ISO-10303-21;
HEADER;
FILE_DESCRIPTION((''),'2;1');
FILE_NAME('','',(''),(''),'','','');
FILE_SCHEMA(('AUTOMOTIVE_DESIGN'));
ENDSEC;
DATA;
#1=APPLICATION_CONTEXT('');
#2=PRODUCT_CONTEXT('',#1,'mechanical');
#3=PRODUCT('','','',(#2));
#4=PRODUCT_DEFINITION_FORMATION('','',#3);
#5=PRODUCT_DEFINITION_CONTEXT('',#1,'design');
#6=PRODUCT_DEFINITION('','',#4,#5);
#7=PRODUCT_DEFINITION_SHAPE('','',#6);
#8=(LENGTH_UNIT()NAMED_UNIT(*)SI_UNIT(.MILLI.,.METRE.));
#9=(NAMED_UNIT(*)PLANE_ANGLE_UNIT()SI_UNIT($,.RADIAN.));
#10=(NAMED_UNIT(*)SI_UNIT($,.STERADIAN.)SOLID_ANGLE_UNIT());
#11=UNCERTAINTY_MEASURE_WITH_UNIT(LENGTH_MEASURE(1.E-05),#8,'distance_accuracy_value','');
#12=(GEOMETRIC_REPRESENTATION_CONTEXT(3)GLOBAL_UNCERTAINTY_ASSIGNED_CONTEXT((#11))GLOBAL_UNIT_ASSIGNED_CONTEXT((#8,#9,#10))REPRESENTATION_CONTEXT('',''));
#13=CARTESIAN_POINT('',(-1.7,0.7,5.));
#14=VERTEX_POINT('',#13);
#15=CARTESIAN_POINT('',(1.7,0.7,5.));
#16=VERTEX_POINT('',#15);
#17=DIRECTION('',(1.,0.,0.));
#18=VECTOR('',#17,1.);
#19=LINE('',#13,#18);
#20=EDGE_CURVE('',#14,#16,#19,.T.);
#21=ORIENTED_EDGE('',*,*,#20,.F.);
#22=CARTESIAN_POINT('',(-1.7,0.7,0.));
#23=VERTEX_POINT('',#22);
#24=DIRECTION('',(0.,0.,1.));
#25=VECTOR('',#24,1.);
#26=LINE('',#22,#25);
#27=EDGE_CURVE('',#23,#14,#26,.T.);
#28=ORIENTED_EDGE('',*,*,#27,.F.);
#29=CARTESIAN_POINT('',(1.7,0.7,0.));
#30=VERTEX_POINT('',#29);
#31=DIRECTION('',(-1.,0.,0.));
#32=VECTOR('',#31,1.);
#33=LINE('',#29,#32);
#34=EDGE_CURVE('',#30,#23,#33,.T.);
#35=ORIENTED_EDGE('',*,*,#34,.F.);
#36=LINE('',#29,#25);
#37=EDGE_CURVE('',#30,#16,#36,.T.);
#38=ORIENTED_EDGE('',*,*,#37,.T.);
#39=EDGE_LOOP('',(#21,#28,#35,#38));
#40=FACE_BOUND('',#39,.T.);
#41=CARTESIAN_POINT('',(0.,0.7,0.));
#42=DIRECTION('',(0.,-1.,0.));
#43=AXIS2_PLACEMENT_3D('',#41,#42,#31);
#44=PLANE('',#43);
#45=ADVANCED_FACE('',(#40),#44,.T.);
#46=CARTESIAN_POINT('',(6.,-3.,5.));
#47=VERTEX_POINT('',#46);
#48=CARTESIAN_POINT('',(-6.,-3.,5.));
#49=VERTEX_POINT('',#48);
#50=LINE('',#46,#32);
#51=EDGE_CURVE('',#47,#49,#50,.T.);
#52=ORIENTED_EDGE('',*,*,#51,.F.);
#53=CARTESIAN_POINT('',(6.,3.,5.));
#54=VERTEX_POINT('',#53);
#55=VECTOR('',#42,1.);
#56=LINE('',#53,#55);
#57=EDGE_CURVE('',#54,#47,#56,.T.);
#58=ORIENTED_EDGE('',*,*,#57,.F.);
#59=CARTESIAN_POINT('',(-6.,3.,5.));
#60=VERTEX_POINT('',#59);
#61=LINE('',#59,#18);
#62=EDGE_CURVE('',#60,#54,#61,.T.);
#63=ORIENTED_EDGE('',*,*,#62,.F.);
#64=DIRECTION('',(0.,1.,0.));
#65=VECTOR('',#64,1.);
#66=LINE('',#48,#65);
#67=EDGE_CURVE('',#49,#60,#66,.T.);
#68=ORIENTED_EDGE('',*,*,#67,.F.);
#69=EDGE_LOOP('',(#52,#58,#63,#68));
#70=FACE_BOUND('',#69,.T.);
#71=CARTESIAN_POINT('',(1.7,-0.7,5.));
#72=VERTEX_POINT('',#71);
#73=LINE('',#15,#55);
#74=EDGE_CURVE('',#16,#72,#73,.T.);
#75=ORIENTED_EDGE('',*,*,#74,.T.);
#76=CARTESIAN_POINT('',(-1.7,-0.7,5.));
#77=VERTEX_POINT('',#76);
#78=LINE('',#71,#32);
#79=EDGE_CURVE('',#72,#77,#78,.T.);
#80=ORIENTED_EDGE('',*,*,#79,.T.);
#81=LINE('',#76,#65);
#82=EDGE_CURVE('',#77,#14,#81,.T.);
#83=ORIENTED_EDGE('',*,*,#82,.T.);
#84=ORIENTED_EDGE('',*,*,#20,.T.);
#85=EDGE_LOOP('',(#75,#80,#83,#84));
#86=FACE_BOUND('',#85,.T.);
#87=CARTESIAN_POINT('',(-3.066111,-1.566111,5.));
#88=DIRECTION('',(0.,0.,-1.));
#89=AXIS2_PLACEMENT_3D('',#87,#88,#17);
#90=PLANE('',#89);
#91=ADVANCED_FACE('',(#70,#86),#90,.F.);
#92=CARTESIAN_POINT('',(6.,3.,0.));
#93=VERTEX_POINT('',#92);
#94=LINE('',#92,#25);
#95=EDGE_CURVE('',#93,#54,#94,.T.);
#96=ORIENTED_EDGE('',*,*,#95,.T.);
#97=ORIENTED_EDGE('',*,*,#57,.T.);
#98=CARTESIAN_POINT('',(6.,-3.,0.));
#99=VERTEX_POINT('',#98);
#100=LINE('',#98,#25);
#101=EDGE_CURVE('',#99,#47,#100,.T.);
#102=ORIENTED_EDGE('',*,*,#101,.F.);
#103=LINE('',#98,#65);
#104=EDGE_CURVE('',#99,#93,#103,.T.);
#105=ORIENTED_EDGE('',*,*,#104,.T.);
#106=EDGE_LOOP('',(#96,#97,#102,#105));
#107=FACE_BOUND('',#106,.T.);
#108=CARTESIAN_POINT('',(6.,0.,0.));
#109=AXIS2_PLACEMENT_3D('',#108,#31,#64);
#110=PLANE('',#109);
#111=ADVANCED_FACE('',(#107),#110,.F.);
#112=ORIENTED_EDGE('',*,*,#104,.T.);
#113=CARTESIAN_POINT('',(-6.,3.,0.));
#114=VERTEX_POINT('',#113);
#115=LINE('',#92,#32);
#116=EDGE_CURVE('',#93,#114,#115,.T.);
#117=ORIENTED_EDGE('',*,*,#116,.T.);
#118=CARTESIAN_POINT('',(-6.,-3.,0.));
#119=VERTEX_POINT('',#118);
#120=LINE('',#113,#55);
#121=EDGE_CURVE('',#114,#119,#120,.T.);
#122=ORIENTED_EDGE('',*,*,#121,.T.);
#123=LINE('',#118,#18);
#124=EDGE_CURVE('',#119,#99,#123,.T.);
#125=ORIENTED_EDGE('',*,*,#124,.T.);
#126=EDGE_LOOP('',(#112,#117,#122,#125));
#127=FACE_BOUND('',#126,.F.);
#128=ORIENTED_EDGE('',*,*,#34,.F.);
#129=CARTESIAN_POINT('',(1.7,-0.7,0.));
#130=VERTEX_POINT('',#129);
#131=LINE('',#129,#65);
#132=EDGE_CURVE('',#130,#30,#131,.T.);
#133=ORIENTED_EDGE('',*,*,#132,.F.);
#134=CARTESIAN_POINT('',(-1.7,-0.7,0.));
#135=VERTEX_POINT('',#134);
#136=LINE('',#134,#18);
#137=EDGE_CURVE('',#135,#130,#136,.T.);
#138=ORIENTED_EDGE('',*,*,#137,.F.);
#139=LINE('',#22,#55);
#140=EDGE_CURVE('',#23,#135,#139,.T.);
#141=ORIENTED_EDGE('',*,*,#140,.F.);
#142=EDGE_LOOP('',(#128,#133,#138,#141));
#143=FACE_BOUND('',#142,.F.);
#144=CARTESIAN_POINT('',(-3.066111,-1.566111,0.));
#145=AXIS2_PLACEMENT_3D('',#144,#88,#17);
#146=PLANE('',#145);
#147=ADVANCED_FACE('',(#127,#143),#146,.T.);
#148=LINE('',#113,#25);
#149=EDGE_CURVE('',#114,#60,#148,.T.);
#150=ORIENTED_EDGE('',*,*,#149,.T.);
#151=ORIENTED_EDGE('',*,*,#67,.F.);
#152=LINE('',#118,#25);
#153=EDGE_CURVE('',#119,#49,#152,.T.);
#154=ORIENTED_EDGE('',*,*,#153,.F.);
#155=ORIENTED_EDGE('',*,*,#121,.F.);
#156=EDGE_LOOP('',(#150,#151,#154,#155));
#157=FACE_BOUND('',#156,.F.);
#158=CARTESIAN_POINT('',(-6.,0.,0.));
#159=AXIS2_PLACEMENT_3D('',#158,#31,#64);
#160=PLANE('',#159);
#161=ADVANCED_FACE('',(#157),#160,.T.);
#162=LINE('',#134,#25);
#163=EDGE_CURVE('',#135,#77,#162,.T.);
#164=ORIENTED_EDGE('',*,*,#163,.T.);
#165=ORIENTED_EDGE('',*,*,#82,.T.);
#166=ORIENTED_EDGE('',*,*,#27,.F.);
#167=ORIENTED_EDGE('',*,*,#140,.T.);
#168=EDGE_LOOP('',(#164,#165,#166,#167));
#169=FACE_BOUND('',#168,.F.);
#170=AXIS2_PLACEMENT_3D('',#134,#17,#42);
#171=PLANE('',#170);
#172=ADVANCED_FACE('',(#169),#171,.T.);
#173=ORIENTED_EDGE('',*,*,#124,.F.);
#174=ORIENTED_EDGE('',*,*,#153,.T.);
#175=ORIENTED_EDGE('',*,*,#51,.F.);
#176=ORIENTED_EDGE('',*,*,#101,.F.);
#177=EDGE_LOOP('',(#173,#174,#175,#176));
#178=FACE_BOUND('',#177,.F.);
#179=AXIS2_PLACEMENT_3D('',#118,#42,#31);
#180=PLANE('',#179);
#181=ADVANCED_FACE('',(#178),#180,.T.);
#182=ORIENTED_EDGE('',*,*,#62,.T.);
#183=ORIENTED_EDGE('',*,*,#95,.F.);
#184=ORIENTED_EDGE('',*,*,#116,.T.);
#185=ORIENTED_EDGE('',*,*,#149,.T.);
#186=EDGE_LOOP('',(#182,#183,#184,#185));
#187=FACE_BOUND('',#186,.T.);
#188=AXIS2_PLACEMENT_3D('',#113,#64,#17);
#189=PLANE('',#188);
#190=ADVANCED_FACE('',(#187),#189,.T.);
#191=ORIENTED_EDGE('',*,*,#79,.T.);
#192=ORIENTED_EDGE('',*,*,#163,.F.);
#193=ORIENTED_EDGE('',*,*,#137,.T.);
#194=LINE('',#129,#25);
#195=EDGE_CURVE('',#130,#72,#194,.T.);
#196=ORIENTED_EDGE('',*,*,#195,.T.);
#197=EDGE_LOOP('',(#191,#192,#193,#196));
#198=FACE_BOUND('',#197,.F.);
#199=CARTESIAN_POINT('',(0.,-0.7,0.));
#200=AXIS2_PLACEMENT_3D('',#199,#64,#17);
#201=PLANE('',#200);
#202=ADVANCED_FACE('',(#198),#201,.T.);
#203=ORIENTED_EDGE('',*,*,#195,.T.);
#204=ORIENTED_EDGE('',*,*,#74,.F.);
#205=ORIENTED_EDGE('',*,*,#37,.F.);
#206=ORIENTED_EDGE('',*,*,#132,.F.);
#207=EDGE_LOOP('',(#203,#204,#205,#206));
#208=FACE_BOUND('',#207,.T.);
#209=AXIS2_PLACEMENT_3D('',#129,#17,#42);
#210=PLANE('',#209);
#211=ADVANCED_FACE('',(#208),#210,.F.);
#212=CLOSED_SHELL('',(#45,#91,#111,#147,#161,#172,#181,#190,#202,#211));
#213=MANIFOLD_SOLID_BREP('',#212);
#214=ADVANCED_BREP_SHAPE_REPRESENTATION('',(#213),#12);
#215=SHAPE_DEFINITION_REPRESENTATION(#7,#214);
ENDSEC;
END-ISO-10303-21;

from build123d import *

# Parameters (mm, degrees)
PAD002_DEPTH               = 5
PAD002_MIRRORED002_2_DEPTH = 5


with BuildPart() as part:
    # Sketch004 → Pad002 (new body)
    with BuildSketch(Plane.XY):
        Polygon((6, 0), (6, 3), (0, 3), (0, 0.7), (1.7, 0.7), (1.7, 0), align=None)
    pad002 = extrude(amount=PAD002_DEPTH)

    # Sketch004 Mirrored002 2 → Pad002 Mirrored002 2 (add)
    with BuildSketch(Plane(origin=(0, 0, 0), x_dir=(-1, 0, 0), z_dir=(0, 0, -1))):
        Polygon((6, 0), (6, 3), (0, 3), (0, 0.7), (1.7, 0.7), (1.7, 0), align=None)
    pad002_mirrored002_2 = extrude(amount=-PAD002_MIRRORED002_2_DEPTH)

    # Mirrored003: Pad002, Pad002 Mirrored002 2 across Sketch004 H_Axis
    add(pad002.mirror(Plane.ZX))
    add(pad002_mirrored002_2.mirror(Plane.ZX))


solid = part.part
